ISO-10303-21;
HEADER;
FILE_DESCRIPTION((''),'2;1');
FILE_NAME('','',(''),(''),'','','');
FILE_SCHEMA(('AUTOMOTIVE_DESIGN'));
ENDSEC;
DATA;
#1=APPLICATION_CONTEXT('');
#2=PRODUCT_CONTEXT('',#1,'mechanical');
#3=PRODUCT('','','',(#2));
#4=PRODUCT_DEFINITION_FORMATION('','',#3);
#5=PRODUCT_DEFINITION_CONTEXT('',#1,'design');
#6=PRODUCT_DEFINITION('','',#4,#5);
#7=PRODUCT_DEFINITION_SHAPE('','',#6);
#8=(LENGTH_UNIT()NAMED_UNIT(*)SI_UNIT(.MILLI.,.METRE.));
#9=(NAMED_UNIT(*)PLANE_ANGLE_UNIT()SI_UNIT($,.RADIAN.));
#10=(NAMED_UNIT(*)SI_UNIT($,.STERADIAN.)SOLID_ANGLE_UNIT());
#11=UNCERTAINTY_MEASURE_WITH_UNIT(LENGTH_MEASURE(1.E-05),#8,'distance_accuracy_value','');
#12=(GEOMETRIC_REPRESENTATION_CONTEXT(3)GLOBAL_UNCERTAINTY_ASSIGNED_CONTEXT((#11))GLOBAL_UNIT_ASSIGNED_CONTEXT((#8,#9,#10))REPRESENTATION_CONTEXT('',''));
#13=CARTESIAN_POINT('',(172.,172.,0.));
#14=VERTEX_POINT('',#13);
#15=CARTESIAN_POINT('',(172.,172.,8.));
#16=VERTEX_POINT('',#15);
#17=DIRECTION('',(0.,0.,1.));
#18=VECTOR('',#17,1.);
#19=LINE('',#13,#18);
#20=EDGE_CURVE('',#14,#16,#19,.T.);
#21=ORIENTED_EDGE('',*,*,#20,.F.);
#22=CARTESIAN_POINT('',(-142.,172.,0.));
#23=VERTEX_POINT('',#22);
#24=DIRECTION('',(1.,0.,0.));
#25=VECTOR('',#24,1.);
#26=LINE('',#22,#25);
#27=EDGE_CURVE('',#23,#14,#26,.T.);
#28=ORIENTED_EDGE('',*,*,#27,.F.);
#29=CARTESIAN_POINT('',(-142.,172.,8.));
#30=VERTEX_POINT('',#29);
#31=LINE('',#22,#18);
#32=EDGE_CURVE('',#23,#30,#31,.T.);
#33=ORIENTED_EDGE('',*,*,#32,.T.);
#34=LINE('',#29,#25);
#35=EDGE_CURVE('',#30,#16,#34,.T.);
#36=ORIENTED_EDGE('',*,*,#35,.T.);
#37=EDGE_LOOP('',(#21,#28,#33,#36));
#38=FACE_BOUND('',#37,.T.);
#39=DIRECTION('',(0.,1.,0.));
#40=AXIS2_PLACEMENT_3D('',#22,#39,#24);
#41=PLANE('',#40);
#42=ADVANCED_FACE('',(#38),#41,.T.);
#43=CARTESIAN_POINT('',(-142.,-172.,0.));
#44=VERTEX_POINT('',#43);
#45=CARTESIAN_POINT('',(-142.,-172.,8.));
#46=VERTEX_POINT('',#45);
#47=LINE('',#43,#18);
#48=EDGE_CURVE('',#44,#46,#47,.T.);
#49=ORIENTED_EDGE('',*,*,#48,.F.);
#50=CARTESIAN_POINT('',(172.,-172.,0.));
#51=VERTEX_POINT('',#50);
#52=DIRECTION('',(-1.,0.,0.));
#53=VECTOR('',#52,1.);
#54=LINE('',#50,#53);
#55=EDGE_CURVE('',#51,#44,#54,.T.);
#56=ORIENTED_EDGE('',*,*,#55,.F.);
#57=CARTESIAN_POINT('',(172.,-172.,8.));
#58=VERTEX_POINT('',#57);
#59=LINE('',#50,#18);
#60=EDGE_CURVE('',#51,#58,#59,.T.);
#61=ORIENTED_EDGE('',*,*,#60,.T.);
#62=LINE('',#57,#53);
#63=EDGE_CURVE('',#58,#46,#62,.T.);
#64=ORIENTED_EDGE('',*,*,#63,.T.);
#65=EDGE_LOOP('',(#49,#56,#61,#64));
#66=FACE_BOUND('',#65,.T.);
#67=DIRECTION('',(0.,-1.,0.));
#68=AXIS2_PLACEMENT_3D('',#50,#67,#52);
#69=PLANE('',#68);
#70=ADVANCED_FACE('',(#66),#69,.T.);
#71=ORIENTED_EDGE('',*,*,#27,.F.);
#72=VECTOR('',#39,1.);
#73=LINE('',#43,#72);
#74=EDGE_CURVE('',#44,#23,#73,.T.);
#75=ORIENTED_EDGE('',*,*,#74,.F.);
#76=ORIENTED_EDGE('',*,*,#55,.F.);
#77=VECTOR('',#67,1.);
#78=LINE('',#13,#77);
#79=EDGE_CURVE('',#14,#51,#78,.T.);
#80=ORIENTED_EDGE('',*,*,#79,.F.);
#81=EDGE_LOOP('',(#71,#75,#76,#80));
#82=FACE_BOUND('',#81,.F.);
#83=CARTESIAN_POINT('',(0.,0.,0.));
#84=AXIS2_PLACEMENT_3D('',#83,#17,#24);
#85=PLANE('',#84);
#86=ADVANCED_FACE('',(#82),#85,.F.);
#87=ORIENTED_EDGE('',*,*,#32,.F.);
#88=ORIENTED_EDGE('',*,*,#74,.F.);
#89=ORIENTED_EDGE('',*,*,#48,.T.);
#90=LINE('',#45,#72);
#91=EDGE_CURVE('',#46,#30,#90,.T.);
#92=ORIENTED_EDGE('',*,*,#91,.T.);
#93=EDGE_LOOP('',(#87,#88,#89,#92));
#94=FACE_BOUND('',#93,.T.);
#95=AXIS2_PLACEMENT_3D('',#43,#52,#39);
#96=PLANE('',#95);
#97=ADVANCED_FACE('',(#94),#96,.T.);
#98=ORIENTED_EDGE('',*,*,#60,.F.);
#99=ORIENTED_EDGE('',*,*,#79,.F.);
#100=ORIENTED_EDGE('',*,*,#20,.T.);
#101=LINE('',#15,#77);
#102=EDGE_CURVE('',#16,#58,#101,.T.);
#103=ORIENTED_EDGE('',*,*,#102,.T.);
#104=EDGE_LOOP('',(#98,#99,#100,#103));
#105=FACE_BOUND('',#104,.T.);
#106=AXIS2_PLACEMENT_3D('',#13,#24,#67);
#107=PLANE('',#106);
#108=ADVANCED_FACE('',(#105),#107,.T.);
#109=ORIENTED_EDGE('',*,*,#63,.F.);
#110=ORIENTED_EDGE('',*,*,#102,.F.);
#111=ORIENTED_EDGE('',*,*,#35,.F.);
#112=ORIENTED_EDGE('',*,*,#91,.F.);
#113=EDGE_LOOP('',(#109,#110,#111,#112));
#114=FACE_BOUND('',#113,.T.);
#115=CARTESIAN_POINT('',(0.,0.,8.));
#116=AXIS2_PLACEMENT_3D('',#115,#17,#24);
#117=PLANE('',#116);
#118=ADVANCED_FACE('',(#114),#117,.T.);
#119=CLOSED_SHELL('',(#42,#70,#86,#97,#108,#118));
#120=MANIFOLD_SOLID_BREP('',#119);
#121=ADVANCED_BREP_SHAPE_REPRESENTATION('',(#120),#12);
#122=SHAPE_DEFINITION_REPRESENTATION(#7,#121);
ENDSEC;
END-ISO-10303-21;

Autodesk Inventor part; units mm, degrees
ref_plane "YZ Plane" through (0, 0, 0) normal (1, 0, 0) x (0, 1, 0)
ref_plane "XZ Plane" through (0, 0, 0) normal (0, 1, 0) x (-1, 0, 0)
ref_plane "XY Plane" through (0, 0, 0) normal (0, 0, 1) x (1, 0, 0)
sketch "Sketch1" plane through (0, 0, 0) normal (0, 0, 1) x (1, 0, 0)
  line L0 (-142, 172) -> (172, 172)
  line L1 (172, 172) -> (172, -172)
  line L2 (172, -172) -> (-142, -172)
  line L3 (-142, -172) -> (-142, 172)
  point P0 (0, 0)
  dimension "d0" = 314
  dimension "d1" = 344
  dimension "d2" = 172
  dimension "d3" = 172
extrude "Extrusion1" add sketch "Sketch1" along normal blind 8
equation "\"d1\" = edge_length - 2 * wall_width"
equation "\"d2\" = -wall_width + 0.5 * edge_length"
equation "\"d3\" = -wall_width + 0.5 * edge_length"
equation "\"d4\" = wall_width_small"
equation "\"edge_length\" = 360"
equation "\"wall_width\" = 8"
equation "\"wall_width_small\" = 8"
properties part number "Side_left"
